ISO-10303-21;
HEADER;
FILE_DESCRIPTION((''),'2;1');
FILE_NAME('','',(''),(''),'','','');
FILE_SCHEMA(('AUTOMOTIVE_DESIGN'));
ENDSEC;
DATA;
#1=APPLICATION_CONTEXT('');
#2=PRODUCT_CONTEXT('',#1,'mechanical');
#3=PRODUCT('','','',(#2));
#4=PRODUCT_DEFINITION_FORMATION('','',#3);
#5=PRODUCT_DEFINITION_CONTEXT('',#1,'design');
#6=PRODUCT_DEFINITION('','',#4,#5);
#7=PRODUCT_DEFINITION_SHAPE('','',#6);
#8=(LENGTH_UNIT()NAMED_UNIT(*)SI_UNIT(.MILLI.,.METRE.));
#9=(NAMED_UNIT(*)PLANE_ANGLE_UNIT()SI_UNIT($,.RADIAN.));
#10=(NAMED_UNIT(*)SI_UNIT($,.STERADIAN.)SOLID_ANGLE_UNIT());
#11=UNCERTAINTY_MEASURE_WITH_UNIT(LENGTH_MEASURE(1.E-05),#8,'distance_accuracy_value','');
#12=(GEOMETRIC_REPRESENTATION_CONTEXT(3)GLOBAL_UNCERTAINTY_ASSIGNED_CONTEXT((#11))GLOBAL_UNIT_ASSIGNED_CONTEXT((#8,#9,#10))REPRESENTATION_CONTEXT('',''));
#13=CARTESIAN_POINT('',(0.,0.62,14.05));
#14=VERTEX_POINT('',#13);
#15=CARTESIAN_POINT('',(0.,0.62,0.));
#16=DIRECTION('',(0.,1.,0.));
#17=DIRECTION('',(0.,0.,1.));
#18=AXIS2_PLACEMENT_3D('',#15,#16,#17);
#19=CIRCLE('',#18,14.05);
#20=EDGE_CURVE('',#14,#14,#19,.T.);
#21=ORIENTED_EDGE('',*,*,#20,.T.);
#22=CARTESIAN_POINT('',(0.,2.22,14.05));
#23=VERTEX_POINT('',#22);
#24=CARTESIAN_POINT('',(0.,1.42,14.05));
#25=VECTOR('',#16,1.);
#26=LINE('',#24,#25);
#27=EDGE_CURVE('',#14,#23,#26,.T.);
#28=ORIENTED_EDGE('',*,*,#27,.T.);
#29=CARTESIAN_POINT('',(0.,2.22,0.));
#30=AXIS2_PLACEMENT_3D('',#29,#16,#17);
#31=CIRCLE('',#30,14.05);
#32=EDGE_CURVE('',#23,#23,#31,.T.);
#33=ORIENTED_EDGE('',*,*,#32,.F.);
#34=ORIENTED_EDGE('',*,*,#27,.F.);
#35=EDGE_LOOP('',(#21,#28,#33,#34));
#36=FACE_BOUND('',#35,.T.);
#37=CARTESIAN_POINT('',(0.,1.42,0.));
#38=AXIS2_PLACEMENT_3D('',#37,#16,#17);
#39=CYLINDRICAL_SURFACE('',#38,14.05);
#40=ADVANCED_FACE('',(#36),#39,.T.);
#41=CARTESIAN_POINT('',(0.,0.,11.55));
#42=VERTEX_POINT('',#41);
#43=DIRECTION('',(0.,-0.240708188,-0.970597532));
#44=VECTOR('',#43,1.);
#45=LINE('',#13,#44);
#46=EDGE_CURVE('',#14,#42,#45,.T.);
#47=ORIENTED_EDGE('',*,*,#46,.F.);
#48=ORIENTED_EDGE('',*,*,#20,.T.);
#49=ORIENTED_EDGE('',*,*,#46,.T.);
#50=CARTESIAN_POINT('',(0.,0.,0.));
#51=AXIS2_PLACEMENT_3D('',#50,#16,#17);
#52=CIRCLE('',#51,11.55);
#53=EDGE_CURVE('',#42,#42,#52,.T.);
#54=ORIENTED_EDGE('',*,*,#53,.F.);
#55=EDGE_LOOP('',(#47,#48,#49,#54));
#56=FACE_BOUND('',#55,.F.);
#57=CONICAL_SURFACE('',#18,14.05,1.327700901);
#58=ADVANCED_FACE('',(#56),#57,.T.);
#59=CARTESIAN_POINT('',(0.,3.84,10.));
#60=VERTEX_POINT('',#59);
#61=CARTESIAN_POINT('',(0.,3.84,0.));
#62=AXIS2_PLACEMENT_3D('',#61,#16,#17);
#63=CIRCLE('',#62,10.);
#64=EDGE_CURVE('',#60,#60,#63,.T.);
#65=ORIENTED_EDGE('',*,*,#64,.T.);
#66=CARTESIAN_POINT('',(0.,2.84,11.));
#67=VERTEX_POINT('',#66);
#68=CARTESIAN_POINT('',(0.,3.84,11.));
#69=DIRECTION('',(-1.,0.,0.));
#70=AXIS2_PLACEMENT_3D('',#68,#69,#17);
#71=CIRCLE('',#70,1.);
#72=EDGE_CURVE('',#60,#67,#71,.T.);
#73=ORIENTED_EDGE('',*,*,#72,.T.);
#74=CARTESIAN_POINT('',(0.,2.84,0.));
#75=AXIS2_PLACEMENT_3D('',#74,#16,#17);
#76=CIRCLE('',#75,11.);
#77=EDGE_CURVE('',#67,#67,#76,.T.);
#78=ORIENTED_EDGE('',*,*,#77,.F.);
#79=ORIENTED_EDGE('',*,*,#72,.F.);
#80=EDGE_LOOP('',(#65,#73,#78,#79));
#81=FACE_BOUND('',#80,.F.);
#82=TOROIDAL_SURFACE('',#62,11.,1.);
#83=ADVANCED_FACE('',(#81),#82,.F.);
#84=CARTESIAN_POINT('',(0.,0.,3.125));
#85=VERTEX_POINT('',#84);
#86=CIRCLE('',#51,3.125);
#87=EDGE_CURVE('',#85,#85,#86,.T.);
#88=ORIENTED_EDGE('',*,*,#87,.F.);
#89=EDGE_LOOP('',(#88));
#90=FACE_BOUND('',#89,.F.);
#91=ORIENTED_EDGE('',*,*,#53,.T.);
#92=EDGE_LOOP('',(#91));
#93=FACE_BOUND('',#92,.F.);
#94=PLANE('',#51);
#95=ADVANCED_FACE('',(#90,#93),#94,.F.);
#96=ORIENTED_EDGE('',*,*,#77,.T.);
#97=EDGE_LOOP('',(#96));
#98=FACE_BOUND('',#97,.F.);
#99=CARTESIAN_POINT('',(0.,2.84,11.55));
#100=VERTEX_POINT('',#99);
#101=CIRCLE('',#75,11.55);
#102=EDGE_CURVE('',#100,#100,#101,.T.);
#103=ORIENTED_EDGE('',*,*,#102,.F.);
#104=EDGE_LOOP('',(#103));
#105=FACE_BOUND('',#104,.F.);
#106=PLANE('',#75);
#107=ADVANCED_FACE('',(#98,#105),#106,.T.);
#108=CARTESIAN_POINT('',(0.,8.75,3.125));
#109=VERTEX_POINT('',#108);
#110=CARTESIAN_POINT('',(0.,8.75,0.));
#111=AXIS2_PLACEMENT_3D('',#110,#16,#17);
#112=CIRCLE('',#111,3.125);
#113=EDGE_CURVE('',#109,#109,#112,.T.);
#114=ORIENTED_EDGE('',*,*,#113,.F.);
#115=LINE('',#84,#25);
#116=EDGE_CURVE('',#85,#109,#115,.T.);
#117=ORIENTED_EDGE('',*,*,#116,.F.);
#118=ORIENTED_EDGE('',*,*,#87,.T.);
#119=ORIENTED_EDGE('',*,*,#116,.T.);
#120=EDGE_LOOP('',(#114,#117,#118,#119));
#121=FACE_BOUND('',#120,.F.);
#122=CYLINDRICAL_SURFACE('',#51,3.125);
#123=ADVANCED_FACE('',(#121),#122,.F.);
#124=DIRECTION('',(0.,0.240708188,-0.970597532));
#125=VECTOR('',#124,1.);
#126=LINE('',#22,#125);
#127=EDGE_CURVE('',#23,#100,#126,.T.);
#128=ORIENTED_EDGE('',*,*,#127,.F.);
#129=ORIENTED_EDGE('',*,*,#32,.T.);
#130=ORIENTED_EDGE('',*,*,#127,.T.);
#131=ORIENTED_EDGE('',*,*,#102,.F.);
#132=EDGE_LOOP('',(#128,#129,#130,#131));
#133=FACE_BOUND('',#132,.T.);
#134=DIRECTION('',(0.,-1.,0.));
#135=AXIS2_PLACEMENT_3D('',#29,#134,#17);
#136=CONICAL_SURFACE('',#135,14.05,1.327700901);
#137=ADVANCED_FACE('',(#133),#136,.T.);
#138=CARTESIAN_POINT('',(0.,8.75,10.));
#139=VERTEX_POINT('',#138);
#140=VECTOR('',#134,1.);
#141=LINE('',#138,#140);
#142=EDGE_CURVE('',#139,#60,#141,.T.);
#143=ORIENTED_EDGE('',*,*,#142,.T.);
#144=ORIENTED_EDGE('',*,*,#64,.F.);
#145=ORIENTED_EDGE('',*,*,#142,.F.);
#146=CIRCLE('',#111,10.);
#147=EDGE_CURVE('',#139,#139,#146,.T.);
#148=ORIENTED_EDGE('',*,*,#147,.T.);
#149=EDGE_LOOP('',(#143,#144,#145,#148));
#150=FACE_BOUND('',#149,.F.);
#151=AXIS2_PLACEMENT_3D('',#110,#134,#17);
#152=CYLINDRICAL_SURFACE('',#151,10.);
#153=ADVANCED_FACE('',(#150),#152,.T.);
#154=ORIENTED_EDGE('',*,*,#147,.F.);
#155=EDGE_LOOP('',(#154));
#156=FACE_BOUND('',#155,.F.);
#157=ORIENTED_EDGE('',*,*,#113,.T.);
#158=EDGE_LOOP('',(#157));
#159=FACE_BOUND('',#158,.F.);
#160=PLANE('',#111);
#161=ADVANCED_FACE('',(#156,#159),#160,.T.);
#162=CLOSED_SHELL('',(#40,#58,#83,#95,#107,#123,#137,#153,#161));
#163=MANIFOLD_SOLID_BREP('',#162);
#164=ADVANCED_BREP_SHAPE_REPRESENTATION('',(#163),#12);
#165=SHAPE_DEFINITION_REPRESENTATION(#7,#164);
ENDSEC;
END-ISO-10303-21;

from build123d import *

# Parameters (mm, degrees)
F0_W     = 5.91
F0_H     = 6.875
F0_W_2   = 2.84
F0_H_2   = 4.05
F2_R     = 1
F3_SIZE2 = 2.5
F3_SIZE  = 0.62


with BuildPart() as f1:
    # F0 (on Right) → F1 (revolve)
    with BuildSketch(Plane.YZ):
        with Locations((5.795, 6.5625)):
            Rectangle(F0_W, F0_H)
        with Locations((1.42, 6.5625)):
            Rectangle(F0_W_2, F0_H)
        with Locations((1.42, 12.025)):
            Rectangle(F0_W_2, F0_H_2)
    revolve(axis=Axis((0, 4.375, 0), (0, 1, 0)))

    # F2
    f2_edges = [f1.edges().sort_by_distance(p)[0] for p in [
        (0, 2.84, -10),
    ]]
    fillet(f2_edges, radius=F2_R)

    # F3
    f3_edges = [f1.edges().sort_by_distance(p)[0] for p in [
        (0, 0, -14.05),
        (0, 2.84, -14.05),
    ]]
    f3_side = f1.faces().sort_by_distance((0, 1.42, -14.05))[0]
    chamfer(f3_edges, length=F3_SIZE, length2=F3_SIZE2, reference=f3_side)


solid = f1.part
